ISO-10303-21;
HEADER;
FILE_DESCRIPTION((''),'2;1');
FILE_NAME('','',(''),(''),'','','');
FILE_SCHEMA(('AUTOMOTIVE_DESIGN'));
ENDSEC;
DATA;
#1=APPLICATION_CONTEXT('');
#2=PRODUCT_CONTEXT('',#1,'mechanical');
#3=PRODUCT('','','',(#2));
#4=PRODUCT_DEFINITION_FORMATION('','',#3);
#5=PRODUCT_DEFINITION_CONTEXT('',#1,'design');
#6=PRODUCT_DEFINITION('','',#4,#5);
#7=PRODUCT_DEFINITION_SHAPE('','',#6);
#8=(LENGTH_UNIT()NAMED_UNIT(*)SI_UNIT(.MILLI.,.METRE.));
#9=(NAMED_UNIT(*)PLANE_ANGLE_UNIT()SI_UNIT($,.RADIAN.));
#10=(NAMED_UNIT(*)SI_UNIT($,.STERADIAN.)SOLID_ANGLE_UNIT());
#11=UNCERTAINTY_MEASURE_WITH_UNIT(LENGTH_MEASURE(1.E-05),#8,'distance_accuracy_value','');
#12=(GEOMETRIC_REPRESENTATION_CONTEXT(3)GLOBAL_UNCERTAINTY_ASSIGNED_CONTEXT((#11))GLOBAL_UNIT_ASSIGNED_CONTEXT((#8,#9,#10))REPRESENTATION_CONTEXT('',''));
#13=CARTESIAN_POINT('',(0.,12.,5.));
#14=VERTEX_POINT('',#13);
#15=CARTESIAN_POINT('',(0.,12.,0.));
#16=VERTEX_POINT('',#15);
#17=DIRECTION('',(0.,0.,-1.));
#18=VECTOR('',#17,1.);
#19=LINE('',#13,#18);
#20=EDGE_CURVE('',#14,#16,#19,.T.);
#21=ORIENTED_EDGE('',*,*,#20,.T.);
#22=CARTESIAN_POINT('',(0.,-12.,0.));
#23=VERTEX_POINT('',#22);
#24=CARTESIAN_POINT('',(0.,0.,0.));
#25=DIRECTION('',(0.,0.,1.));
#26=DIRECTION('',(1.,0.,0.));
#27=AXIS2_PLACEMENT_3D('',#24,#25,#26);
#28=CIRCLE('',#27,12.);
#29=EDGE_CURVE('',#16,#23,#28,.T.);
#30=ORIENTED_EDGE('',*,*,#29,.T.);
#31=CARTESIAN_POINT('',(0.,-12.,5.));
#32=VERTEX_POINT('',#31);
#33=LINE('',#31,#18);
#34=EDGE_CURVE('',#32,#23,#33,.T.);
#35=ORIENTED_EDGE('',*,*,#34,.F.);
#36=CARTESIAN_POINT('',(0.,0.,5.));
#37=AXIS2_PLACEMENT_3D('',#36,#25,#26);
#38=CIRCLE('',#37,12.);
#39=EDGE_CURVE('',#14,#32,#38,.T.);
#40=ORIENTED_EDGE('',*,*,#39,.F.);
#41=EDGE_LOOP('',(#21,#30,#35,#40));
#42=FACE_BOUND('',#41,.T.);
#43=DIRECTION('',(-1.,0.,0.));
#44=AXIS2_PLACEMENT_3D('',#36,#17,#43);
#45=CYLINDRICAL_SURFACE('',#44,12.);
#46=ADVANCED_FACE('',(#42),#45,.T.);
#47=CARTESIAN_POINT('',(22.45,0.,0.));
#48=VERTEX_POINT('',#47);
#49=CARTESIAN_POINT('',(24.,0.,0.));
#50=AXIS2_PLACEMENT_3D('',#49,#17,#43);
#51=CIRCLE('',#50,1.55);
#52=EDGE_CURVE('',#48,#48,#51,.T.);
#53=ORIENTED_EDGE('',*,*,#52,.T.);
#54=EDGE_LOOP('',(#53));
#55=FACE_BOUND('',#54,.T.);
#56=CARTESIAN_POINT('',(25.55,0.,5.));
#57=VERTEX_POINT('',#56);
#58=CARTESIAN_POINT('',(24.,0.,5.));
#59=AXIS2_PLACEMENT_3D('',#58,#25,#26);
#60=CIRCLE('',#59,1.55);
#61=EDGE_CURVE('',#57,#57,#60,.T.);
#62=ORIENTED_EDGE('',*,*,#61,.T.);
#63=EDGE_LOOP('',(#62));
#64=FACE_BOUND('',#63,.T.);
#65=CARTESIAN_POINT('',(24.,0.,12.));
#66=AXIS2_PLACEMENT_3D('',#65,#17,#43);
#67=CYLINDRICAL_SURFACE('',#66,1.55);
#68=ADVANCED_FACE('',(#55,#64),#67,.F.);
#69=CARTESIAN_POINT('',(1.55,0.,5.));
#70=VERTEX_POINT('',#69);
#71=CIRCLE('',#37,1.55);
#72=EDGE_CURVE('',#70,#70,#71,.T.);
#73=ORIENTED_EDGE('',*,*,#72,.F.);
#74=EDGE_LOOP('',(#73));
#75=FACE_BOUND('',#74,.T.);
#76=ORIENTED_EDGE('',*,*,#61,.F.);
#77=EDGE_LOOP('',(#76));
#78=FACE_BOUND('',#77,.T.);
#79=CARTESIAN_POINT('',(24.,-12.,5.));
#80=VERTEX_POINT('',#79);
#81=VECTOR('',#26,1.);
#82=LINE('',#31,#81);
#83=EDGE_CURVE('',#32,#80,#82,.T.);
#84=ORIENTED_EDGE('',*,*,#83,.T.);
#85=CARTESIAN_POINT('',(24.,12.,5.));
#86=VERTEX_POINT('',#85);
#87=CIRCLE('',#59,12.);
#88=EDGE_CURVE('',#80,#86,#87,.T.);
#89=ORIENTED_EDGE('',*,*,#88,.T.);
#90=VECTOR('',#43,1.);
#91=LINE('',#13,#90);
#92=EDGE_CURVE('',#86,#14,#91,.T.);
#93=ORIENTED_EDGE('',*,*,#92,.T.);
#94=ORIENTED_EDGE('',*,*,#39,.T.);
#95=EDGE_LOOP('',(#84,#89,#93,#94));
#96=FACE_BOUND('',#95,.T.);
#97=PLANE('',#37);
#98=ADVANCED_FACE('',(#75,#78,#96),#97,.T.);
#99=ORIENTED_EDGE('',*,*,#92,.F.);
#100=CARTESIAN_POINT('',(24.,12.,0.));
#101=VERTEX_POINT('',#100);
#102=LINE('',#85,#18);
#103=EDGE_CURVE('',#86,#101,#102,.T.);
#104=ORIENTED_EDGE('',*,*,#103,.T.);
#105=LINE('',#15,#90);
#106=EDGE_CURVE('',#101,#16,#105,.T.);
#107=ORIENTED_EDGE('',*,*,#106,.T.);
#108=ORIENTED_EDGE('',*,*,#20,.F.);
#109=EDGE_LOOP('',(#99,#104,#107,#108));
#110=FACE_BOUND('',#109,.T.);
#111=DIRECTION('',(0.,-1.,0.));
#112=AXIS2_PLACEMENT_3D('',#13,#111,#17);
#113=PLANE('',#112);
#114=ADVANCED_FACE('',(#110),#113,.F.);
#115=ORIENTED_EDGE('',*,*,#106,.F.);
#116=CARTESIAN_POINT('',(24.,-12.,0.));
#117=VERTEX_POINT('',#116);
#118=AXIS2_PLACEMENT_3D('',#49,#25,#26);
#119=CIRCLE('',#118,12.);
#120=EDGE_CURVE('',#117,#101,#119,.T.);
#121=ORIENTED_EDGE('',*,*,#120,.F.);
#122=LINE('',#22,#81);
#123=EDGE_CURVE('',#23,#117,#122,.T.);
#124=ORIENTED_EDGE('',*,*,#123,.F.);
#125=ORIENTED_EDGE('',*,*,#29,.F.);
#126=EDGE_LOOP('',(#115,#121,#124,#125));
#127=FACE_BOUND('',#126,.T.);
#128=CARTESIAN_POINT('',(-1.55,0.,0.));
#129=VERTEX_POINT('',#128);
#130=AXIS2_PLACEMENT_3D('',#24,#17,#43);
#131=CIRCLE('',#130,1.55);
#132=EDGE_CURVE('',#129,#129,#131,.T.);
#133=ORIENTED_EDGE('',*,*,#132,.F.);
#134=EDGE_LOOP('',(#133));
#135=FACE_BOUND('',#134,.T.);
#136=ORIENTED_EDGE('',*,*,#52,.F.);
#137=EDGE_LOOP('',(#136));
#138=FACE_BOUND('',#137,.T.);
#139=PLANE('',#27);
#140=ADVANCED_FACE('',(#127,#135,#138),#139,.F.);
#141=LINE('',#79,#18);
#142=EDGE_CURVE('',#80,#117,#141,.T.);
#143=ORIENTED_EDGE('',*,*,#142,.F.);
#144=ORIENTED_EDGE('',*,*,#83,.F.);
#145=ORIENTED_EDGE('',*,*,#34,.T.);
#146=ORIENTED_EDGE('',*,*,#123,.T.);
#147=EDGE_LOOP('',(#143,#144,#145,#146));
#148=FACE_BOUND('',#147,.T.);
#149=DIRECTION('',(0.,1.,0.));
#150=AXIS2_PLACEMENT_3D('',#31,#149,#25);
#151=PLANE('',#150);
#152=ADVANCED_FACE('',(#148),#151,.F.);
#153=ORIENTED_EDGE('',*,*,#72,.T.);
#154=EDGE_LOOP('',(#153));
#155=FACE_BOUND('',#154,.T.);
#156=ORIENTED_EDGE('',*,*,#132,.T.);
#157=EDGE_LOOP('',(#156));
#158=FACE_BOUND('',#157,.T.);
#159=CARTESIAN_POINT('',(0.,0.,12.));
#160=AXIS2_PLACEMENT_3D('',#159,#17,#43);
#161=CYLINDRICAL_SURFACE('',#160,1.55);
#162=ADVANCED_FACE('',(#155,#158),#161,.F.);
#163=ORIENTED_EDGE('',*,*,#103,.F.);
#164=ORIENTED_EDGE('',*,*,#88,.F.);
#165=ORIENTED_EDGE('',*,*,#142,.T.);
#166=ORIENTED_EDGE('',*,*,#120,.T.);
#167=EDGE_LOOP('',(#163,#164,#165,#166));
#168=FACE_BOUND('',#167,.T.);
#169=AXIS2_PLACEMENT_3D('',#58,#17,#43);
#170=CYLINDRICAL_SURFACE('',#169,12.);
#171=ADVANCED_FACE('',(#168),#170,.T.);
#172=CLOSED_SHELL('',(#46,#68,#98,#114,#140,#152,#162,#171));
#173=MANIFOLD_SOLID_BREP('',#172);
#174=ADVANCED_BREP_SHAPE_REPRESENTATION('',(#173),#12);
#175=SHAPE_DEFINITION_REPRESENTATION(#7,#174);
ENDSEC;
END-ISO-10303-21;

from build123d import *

# Parameters (mm, degrees)
EXTRUDE_1_DEPTH     = 5
SKETCH_2_R          = 1.55
CUT_EXTRUDE_1_DEPTH = 12


with BuildPart() as part:
    # 草图1 → 凸台-拉伸1 (new body)
    with BuildSketch(Plane.XY):
        with BuildLine():
            Line((0, 12), (24, 12))
            ThreePointArc((24, 12), (36, 0), (24, -12))
            Line((24, -12), (0, -12))
            ThreePointArc((0, -12), (-12, 0), (0, 12))
        make_face()
    extrude(amount=EXTRUDE_1_DEPTH)

    # 草图2 → 切除-拉伸1 (cut)
    with BuildSketch(Plane(origin=(0, 0, 0), x_dir=(-1, 0, 0), z_dir=(0, 0, -1))):
        Circle(SKETCH_2_R)
        with Locations((-24, 0)):
            Circle(SKETCH_2_R)
    extrude(amount=-CUT_EXTRUDE_1_DEPTH, mode=Mode.SUBTRACT)


solid = part.part
